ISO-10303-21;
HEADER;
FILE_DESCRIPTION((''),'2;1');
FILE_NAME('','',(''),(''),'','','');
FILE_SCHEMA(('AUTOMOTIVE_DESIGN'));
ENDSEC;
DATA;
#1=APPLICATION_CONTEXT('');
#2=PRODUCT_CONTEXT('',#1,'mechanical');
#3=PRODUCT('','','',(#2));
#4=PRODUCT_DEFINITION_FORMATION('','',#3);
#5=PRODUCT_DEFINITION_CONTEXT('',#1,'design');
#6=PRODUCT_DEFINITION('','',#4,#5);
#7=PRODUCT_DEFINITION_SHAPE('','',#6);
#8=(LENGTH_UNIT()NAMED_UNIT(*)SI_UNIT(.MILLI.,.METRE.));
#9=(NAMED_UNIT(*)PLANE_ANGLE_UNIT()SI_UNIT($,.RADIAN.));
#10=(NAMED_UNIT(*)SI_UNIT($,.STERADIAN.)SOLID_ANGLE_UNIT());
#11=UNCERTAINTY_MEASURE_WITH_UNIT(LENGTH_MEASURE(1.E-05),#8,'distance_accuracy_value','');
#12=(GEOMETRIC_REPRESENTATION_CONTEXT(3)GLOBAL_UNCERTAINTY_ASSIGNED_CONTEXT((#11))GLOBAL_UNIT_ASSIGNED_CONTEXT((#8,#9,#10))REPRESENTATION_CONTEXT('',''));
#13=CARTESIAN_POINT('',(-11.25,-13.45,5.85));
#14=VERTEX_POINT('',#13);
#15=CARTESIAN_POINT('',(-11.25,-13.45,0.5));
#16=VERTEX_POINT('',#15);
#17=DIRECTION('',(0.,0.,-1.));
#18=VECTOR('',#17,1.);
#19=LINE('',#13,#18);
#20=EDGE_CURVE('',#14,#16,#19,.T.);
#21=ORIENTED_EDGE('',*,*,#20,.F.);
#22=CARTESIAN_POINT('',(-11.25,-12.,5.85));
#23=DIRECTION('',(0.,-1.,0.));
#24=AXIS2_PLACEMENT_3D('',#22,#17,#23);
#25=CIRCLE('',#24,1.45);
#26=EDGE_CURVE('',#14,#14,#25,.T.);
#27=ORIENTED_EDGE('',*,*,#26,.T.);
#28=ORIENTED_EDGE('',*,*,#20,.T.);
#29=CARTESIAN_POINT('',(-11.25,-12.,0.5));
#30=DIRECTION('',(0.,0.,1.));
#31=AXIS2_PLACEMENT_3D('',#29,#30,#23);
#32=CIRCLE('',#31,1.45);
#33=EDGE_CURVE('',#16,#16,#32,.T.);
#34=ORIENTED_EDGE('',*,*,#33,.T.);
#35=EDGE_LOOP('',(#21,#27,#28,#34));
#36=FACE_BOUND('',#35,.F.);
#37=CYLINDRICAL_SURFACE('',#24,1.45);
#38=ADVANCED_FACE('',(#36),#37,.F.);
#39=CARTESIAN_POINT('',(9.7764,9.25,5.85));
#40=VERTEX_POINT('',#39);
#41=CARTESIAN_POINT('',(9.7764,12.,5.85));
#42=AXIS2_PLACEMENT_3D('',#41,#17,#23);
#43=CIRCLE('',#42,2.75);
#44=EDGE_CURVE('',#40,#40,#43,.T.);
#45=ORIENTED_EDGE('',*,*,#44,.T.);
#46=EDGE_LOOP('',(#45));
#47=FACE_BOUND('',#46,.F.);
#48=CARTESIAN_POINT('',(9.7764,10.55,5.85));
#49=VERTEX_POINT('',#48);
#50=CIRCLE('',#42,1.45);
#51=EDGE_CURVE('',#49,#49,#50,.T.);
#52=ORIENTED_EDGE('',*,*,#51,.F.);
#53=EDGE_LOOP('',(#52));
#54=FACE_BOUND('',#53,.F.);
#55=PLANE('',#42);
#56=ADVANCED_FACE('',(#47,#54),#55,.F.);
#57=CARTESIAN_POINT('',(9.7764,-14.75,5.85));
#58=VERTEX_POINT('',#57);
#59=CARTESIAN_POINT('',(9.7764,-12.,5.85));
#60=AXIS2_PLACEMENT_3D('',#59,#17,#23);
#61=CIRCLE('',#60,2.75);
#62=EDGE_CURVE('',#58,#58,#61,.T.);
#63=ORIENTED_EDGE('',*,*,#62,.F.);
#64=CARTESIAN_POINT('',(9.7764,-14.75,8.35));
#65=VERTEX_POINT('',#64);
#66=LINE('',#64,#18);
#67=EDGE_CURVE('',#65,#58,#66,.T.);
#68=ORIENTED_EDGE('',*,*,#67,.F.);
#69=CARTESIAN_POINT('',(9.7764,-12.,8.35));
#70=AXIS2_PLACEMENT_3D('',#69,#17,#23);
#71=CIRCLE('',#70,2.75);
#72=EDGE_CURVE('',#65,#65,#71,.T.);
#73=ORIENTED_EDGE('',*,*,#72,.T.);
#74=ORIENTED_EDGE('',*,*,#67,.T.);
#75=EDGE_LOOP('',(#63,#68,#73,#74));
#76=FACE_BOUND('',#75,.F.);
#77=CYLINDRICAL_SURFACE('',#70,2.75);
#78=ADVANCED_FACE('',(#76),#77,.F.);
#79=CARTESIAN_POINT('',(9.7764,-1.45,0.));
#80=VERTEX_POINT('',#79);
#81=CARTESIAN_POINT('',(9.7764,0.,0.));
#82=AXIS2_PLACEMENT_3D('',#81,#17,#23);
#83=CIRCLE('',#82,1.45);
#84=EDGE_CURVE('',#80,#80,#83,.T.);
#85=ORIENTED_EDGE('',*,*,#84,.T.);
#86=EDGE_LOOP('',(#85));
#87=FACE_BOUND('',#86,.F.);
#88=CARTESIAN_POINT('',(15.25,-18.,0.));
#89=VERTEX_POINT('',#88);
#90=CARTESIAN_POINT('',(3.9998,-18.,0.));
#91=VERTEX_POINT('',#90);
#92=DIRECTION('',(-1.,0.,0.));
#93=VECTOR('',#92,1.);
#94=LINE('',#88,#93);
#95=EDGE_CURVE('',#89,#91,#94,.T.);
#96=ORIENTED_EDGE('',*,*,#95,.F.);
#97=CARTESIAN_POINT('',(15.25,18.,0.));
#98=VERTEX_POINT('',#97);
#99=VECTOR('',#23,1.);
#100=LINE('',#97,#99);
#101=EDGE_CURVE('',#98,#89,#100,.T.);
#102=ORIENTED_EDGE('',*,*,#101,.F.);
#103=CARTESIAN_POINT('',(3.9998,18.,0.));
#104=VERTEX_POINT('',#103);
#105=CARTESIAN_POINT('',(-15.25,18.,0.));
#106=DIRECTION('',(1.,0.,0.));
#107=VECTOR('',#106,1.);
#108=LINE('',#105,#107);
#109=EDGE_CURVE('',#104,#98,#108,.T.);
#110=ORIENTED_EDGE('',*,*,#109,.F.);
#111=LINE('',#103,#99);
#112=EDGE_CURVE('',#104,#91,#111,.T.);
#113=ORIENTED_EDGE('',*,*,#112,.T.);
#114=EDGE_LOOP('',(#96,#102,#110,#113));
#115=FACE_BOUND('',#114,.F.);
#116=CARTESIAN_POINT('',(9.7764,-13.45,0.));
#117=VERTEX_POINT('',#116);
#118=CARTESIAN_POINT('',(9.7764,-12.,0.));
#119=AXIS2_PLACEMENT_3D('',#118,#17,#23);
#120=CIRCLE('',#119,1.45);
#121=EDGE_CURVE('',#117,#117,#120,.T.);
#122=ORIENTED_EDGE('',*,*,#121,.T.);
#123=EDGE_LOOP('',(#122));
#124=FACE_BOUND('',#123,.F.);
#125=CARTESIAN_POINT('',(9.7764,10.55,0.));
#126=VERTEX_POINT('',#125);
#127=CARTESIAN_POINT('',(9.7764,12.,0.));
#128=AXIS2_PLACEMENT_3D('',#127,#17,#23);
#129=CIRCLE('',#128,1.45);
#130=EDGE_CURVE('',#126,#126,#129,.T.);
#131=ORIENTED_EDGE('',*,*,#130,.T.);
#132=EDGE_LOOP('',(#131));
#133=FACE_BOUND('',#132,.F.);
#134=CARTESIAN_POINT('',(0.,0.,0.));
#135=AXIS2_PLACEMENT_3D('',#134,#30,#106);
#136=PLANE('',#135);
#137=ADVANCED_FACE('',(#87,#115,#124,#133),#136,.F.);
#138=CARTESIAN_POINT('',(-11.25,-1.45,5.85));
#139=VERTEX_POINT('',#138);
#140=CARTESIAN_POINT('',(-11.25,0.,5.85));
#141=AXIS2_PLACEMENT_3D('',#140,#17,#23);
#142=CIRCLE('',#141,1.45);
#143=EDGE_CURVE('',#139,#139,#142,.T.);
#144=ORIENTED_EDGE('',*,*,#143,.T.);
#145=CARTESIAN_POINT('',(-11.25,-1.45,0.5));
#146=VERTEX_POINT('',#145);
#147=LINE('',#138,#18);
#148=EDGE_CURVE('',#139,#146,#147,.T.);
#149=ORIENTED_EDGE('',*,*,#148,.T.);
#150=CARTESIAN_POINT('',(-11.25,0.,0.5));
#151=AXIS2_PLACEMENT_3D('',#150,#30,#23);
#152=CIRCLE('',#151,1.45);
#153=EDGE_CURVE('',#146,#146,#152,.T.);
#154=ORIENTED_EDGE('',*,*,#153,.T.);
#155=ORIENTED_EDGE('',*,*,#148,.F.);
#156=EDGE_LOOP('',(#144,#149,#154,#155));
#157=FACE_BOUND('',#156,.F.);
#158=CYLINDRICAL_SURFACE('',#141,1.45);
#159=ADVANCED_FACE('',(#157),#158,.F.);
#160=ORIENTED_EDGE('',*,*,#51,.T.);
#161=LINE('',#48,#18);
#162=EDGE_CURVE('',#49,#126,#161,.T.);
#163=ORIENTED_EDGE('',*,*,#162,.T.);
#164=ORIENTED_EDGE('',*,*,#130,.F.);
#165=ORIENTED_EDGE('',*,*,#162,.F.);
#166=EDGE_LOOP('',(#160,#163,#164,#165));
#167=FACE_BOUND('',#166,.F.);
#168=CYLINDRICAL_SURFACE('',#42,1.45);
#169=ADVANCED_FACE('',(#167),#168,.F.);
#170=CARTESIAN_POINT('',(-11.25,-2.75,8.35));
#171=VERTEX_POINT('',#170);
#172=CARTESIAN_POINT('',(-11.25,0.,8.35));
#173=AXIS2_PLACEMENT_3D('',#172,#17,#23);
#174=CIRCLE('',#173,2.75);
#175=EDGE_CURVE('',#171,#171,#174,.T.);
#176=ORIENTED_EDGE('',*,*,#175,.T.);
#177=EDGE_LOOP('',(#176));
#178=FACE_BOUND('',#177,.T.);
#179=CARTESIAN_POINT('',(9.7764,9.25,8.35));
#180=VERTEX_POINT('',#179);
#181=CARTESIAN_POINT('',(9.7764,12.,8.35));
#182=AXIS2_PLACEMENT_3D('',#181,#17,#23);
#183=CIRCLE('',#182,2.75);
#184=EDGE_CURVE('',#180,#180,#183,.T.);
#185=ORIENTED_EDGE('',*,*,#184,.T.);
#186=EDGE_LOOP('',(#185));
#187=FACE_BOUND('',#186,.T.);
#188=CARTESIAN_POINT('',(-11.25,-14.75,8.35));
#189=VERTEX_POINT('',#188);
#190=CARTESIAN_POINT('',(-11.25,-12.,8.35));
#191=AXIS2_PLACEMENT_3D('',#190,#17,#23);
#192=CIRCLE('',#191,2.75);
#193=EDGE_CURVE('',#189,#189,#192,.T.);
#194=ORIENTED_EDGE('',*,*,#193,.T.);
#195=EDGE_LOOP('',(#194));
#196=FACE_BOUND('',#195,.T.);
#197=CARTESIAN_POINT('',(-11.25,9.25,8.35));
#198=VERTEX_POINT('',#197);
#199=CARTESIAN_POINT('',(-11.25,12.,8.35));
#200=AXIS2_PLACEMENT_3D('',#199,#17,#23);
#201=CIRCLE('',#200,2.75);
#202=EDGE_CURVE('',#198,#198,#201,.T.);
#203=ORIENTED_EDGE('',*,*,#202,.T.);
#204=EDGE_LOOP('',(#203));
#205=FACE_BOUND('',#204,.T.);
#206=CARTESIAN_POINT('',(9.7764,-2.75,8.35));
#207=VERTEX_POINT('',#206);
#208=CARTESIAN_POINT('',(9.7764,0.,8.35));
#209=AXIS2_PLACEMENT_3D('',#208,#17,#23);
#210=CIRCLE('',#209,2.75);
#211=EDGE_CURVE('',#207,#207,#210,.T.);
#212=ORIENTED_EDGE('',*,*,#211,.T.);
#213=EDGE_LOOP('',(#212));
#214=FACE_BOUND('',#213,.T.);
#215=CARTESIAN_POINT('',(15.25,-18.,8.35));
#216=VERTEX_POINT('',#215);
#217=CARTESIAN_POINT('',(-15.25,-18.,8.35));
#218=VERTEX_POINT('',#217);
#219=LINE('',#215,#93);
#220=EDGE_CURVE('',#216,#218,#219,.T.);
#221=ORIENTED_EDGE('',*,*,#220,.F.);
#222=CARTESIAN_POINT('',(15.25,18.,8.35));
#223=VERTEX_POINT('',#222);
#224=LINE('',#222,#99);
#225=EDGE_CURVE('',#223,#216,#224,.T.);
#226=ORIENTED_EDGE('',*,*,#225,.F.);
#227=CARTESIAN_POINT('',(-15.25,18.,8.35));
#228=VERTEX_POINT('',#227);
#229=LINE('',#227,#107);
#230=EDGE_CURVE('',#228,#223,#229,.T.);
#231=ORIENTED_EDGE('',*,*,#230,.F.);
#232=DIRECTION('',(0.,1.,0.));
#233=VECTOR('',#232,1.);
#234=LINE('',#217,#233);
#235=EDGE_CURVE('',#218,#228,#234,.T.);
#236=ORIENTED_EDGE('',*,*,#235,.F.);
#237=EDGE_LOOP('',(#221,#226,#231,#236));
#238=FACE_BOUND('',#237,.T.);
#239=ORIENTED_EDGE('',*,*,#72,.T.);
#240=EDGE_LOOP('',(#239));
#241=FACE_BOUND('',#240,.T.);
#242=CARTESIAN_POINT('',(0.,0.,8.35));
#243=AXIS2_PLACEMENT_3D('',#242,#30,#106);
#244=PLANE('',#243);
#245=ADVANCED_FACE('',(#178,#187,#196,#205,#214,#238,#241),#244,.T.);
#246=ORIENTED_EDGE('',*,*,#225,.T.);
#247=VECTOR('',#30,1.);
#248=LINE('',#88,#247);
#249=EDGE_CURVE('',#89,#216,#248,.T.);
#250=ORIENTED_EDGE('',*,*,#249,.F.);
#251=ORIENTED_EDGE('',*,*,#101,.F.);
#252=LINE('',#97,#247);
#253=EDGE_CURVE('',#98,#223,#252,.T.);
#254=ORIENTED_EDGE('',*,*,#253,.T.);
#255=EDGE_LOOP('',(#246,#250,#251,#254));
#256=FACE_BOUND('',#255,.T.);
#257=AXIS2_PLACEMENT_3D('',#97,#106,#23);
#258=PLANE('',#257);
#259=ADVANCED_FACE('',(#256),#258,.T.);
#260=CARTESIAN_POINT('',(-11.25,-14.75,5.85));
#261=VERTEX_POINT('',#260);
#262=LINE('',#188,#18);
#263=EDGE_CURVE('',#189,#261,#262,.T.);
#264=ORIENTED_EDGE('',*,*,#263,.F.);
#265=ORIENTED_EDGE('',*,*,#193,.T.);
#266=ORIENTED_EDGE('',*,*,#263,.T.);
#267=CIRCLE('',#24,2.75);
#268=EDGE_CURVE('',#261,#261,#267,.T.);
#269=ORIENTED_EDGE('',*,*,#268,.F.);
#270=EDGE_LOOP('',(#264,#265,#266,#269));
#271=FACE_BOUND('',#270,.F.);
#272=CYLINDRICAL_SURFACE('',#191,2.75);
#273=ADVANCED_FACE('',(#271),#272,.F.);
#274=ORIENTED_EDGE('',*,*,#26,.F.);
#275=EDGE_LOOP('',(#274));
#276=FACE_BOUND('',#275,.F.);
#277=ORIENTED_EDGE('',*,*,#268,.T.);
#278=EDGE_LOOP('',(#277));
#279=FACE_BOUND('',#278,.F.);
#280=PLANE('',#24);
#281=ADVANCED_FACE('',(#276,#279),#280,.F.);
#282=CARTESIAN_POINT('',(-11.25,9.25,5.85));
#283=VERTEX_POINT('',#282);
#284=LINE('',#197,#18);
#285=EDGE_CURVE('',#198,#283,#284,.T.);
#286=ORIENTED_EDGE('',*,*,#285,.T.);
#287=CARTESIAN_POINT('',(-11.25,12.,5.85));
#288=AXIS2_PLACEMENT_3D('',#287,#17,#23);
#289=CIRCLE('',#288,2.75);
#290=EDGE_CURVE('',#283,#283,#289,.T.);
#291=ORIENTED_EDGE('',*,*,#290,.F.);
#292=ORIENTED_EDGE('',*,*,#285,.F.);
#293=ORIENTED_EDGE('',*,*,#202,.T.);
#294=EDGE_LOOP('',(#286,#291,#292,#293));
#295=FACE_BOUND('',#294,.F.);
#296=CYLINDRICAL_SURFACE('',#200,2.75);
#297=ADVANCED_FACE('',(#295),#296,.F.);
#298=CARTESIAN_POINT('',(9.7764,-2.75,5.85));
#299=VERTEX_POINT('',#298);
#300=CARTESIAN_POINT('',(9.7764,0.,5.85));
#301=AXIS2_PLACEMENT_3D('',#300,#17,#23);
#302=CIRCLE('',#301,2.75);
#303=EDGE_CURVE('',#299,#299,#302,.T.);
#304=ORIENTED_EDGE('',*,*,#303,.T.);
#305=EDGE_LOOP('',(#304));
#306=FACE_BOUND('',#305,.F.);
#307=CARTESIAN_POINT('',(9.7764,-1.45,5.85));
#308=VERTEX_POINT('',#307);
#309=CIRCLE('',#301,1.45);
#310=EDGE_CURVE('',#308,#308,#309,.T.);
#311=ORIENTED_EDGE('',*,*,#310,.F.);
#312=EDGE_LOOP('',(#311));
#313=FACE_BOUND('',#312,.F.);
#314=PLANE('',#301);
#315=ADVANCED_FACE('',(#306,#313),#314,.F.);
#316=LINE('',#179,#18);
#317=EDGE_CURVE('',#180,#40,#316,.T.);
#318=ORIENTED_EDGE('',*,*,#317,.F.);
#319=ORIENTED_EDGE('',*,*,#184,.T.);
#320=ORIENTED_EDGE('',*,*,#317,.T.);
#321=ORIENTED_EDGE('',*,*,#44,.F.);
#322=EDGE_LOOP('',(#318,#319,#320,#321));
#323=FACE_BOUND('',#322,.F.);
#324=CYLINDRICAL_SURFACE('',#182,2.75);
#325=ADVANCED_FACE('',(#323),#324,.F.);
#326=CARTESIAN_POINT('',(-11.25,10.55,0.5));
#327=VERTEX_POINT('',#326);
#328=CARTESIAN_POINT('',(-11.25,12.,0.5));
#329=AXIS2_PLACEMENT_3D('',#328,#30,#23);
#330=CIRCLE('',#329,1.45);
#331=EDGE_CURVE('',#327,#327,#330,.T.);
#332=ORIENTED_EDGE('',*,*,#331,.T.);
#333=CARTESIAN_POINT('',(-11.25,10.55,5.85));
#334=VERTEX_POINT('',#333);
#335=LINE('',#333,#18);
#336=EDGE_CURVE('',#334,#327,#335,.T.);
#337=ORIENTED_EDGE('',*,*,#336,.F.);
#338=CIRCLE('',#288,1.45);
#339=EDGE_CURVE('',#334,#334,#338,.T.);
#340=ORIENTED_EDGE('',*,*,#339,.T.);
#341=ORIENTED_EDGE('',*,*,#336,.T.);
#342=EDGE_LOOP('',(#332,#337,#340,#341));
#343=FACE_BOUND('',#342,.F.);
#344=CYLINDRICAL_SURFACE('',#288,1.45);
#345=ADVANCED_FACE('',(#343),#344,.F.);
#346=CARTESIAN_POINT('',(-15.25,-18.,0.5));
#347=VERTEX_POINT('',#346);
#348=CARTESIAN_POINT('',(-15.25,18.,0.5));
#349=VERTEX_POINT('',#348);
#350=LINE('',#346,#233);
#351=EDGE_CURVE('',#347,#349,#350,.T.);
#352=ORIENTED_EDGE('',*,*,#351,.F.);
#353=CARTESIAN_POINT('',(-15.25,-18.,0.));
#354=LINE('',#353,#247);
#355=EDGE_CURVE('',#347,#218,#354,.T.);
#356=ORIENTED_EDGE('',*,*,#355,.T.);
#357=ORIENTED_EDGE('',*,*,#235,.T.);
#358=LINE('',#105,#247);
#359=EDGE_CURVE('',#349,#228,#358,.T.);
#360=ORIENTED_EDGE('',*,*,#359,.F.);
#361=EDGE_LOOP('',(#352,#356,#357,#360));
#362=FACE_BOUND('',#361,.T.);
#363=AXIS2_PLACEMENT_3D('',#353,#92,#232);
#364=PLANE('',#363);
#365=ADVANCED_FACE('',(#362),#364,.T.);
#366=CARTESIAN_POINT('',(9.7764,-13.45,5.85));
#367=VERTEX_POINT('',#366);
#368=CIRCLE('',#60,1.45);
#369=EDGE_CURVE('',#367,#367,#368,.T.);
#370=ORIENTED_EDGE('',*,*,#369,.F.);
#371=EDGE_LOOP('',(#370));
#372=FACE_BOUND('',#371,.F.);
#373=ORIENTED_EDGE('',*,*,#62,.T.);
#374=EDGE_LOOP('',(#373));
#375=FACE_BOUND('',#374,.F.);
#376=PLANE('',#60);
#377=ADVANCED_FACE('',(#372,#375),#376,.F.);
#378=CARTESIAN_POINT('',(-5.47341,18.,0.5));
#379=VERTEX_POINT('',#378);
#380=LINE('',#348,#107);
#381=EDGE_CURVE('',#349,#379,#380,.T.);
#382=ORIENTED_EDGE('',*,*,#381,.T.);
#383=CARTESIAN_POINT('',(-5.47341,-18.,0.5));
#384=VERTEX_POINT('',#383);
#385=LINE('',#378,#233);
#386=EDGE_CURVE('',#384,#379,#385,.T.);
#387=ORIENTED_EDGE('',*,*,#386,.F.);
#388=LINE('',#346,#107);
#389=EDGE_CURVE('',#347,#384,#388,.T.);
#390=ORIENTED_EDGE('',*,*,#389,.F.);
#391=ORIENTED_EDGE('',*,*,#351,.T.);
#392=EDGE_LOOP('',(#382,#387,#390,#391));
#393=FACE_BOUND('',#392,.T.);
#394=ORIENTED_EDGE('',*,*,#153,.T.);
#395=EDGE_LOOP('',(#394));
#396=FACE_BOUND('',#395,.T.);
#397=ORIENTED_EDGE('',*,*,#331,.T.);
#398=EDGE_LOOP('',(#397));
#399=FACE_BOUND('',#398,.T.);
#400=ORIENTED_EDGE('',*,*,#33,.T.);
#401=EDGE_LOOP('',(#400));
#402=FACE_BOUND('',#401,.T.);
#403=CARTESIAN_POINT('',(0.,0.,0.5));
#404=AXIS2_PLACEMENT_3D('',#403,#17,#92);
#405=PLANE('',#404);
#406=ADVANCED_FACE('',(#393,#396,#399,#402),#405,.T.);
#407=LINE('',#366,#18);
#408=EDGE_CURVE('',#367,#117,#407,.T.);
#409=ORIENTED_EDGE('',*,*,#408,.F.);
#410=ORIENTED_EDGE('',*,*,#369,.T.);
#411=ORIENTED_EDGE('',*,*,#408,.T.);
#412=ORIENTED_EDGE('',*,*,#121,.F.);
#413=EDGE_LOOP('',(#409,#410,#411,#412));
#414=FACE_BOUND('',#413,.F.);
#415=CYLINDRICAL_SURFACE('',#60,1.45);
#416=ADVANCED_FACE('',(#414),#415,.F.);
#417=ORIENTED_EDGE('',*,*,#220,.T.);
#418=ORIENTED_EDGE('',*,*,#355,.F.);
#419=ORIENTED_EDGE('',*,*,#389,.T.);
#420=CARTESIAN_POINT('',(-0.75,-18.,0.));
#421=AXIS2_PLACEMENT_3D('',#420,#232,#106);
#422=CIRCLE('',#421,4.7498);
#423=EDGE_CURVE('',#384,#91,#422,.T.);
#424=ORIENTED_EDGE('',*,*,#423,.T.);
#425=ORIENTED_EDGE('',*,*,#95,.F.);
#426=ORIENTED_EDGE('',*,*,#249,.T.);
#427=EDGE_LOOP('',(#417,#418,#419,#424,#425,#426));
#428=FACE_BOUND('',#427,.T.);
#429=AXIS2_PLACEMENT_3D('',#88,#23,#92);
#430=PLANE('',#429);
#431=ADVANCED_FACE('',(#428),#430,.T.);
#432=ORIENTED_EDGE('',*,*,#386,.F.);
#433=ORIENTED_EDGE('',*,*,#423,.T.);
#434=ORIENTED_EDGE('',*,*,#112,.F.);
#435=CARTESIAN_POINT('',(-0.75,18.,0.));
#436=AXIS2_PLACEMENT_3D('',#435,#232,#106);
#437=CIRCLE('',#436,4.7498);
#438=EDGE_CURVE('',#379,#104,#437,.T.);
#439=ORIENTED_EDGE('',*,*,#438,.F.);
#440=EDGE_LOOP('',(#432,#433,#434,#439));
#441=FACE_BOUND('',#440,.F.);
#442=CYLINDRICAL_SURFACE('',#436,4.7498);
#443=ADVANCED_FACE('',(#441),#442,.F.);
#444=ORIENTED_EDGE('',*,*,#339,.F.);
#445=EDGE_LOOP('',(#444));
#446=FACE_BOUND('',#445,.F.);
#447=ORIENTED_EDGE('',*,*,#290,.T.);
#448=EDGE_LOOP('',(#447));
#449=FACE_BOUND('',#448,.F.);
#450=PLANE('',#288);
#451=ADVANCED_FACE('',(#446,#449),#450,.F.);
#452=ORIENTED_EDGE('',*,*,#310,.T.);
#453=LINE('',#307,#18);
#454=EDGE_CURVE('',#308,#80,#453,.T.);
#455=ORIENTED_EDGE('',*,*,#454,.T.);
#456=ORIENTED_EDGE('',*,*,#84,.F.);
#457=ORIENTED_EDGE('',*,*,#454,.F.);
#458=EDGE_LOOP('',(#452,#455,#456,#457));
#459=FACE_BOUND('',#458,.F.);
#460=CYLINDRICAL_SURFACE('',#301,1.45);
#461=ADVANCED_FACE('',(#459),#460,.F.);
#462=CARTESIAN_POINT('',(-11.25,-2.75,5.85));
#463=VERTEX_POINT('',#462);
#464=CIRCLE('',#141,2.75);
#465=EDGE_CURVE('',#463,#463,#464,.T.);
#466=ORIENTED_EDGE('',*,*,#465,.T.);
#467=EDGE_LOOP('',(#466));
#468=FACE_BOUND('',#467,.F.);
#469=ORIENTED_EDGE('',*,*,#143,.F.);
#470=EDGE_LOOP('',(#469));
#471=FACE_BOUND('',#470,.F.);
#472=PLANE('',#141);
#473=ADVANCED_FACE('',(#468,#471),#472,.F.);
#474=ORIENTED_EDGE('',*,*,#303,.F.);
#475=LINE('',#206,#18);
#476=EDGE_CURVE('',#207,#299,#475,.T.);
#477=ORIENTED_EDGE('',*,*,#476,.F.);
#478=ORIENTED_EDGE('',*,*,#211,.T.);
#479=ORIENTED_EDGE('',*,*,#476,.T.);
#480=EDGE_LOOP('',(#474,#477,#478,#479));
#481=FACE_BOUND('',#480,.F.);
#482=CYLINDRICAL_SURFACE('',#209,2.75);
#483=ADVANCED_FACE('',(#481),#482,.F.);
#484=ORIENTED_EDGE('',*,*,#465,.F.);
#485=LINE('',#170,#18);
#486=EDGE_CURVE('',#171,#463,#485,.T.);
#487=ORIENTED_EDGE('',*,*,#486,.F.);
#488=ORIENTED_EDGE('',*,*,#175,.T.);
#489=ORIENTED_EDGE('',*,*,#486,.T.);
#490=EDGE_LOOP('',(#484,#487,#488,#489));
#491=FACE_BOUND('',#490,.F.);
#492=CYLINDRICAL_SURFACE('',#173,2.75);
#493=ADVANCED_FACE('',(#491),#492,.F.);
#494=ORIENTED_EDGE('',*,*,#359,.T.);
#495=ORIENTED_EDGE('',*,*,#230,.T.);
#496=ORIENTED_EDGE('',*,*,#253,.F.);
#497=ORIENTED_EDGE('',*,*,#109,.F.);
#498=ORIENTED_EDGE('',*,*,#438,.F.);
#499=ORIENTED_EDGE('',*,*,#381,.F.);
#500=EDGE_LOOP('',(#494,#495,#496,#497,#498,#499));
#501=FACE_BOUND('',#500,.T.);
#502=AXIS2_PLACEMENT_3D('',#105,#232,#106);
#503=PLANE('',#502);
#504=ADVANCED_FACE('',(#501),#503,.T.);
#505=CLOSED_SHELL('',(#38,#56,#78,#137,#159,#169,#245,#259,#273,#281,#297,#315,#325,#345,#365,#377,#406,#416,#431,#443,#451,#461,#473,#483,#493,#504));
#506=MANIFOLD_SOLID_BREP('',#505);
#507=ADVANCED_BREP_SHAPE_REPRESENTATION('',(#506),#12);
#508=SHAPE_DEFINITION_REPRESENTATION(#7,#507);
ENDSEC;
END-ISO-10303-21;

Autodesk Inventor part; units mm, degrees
ref_plane "YZ Plane" through (0, 0, 0) normal (1, 0, 0) x (0, 1, 0)
ref_plane "XZ Plane" through (0, 0, 0) normal (0, 1, 0) x (-1, 0, 0)
ref_plane "XY Plane" through (0, 0, 0) normal (0, 0, 1) x (1, 0, 0)
sketch "Sketch1" plane through (0, 0, 0) normal (0, 0, 1) x (1, 0, 0)
  line L0 (-15.25, 18) -> (15.25, 18)
  line L1 (15.25, 18) -> (15.25, -18)
  line L2 (15.25, -18) -> (-15.25, -18)
  line L3 (-15.25, -18) -> (-15.25, 18)
  point P0 (0, 0)
  dimension "d0" = 30.5
  dimension "d1" = 36
  dimension "d2" = 18
  dimension "d3" = 15.25
extrude "Extrusion1" add sketch "Sketch1" along normal blind 8.35
sketch "Sketch2" plane through (-15.25, 18, 0) normal (0, 1, 0) x (1, 0, 0)
  line L0 (30.5, 0) -> (30.5, -8.35) projected
  line L1 (30.5, -8.35) -> (70.5, -8.35) projected
  line L2 (70.5, 11.65) -> (70.5, -8.35) projected
  line L3 (0, 11.65) -> (70.5, 11.65) projected
  line L4 (0, 11.65) -> (0, 0.5) projected
  line L5 (0, 0.5) -> (9.7766, 0.5) projected
  arc A0 (19.2498, 0) -> (9.7766, 0.5) centre (14.5, 0) ccw projected
  line L6 (19.2498, 0) -> (30.5, 0) projected
  circle A1 centre (40.5, 1.65) radius 0.847 projected
  circle A2 centre (62.5, 1.65) radius 0.847 projected
  circle A3 centre (54.5, 1.65) radius 4 projected
  circle A4 centre (14.5, 0) radius 4.7498
  point P0 (15.25, 0)
extrude "Extrusion2" cut sketch "Sketch2" against normal through all contours A4 A0
sketch "Sketch3" plane through (0, 0, 8.35) normal (0, 0, 1) x (1, 0, 0)
  circle A0 centre (-11.25, 12) radius 1.0065 projected
  circle A1 centre (-11.25, 0) radius 1.0065 projected
  circle A2 centre (-11.25, -12) radius 1.0065 projected
  circle A3 centre (9.7764, 12) radius 1.0065 projected
  circle A4 centre (9.7764, 0) radius 1.0065 projected
  circle A5 centre (9.7764, -12) radius 1.0065 projected
  point P0 (0, 0)
hole "CBore for M2.5 screw" at (-11.25, -12, 8.35) at (-11.25, 0, 8.35) at (-11.25, 12, 8.35) at (9.7764, -12, 8.35) at (9.7764, 0, 8.35) at (9.7764, 12, 8.35) direction (0, 0, -1) diameter 2.9 end through all counterbore diameter 5.5 counterbore depth 2.5 clearance for "Socket Head Cap Screw" size "M2.5" standard "Ansi Metric M Profile"
sketch "Sketch4" plane through (0, 0, 0) normal (0, 0, -1) x (-1, 0, 0)
  circle A0 centre (11.25, 0) radius 1.45 projected
  circle A1 centre (11.25, -12) radius 1.45 projected
  circle A2 centre (11.25, 12) radius 1.45 projected
  line L0 (5.4998, 18) -> (5.4998, -18) projected
  line L1 (5.4998, -18) -> (15.25, -18) projected
  line L2 (15.25, -18) -> (15.25, 18) projected
  line L3 (15.25, 18) -> (5.4998, 18) projected
  line L4 (15.25, -18) -> (4.4998, -18)
  line L5 (4.4998, -18) -> (4.4998, 18)
  line L6 (4.4998, 18) -> (15.25, 18)
  line L7 (15.25, 18) -> (15.25, -18)
  point P0 (0, 0)
  dimension "d17" = 1
extrude "Extrusion3" cut sketch "Sketch4" against normal blind 0.5
equation "\"d2\" = 0.5 * d1"
equation "\"d3\" = 0.5 * d0"
properties part number "J007580" material "ALUMINUM, 6061-T651"
